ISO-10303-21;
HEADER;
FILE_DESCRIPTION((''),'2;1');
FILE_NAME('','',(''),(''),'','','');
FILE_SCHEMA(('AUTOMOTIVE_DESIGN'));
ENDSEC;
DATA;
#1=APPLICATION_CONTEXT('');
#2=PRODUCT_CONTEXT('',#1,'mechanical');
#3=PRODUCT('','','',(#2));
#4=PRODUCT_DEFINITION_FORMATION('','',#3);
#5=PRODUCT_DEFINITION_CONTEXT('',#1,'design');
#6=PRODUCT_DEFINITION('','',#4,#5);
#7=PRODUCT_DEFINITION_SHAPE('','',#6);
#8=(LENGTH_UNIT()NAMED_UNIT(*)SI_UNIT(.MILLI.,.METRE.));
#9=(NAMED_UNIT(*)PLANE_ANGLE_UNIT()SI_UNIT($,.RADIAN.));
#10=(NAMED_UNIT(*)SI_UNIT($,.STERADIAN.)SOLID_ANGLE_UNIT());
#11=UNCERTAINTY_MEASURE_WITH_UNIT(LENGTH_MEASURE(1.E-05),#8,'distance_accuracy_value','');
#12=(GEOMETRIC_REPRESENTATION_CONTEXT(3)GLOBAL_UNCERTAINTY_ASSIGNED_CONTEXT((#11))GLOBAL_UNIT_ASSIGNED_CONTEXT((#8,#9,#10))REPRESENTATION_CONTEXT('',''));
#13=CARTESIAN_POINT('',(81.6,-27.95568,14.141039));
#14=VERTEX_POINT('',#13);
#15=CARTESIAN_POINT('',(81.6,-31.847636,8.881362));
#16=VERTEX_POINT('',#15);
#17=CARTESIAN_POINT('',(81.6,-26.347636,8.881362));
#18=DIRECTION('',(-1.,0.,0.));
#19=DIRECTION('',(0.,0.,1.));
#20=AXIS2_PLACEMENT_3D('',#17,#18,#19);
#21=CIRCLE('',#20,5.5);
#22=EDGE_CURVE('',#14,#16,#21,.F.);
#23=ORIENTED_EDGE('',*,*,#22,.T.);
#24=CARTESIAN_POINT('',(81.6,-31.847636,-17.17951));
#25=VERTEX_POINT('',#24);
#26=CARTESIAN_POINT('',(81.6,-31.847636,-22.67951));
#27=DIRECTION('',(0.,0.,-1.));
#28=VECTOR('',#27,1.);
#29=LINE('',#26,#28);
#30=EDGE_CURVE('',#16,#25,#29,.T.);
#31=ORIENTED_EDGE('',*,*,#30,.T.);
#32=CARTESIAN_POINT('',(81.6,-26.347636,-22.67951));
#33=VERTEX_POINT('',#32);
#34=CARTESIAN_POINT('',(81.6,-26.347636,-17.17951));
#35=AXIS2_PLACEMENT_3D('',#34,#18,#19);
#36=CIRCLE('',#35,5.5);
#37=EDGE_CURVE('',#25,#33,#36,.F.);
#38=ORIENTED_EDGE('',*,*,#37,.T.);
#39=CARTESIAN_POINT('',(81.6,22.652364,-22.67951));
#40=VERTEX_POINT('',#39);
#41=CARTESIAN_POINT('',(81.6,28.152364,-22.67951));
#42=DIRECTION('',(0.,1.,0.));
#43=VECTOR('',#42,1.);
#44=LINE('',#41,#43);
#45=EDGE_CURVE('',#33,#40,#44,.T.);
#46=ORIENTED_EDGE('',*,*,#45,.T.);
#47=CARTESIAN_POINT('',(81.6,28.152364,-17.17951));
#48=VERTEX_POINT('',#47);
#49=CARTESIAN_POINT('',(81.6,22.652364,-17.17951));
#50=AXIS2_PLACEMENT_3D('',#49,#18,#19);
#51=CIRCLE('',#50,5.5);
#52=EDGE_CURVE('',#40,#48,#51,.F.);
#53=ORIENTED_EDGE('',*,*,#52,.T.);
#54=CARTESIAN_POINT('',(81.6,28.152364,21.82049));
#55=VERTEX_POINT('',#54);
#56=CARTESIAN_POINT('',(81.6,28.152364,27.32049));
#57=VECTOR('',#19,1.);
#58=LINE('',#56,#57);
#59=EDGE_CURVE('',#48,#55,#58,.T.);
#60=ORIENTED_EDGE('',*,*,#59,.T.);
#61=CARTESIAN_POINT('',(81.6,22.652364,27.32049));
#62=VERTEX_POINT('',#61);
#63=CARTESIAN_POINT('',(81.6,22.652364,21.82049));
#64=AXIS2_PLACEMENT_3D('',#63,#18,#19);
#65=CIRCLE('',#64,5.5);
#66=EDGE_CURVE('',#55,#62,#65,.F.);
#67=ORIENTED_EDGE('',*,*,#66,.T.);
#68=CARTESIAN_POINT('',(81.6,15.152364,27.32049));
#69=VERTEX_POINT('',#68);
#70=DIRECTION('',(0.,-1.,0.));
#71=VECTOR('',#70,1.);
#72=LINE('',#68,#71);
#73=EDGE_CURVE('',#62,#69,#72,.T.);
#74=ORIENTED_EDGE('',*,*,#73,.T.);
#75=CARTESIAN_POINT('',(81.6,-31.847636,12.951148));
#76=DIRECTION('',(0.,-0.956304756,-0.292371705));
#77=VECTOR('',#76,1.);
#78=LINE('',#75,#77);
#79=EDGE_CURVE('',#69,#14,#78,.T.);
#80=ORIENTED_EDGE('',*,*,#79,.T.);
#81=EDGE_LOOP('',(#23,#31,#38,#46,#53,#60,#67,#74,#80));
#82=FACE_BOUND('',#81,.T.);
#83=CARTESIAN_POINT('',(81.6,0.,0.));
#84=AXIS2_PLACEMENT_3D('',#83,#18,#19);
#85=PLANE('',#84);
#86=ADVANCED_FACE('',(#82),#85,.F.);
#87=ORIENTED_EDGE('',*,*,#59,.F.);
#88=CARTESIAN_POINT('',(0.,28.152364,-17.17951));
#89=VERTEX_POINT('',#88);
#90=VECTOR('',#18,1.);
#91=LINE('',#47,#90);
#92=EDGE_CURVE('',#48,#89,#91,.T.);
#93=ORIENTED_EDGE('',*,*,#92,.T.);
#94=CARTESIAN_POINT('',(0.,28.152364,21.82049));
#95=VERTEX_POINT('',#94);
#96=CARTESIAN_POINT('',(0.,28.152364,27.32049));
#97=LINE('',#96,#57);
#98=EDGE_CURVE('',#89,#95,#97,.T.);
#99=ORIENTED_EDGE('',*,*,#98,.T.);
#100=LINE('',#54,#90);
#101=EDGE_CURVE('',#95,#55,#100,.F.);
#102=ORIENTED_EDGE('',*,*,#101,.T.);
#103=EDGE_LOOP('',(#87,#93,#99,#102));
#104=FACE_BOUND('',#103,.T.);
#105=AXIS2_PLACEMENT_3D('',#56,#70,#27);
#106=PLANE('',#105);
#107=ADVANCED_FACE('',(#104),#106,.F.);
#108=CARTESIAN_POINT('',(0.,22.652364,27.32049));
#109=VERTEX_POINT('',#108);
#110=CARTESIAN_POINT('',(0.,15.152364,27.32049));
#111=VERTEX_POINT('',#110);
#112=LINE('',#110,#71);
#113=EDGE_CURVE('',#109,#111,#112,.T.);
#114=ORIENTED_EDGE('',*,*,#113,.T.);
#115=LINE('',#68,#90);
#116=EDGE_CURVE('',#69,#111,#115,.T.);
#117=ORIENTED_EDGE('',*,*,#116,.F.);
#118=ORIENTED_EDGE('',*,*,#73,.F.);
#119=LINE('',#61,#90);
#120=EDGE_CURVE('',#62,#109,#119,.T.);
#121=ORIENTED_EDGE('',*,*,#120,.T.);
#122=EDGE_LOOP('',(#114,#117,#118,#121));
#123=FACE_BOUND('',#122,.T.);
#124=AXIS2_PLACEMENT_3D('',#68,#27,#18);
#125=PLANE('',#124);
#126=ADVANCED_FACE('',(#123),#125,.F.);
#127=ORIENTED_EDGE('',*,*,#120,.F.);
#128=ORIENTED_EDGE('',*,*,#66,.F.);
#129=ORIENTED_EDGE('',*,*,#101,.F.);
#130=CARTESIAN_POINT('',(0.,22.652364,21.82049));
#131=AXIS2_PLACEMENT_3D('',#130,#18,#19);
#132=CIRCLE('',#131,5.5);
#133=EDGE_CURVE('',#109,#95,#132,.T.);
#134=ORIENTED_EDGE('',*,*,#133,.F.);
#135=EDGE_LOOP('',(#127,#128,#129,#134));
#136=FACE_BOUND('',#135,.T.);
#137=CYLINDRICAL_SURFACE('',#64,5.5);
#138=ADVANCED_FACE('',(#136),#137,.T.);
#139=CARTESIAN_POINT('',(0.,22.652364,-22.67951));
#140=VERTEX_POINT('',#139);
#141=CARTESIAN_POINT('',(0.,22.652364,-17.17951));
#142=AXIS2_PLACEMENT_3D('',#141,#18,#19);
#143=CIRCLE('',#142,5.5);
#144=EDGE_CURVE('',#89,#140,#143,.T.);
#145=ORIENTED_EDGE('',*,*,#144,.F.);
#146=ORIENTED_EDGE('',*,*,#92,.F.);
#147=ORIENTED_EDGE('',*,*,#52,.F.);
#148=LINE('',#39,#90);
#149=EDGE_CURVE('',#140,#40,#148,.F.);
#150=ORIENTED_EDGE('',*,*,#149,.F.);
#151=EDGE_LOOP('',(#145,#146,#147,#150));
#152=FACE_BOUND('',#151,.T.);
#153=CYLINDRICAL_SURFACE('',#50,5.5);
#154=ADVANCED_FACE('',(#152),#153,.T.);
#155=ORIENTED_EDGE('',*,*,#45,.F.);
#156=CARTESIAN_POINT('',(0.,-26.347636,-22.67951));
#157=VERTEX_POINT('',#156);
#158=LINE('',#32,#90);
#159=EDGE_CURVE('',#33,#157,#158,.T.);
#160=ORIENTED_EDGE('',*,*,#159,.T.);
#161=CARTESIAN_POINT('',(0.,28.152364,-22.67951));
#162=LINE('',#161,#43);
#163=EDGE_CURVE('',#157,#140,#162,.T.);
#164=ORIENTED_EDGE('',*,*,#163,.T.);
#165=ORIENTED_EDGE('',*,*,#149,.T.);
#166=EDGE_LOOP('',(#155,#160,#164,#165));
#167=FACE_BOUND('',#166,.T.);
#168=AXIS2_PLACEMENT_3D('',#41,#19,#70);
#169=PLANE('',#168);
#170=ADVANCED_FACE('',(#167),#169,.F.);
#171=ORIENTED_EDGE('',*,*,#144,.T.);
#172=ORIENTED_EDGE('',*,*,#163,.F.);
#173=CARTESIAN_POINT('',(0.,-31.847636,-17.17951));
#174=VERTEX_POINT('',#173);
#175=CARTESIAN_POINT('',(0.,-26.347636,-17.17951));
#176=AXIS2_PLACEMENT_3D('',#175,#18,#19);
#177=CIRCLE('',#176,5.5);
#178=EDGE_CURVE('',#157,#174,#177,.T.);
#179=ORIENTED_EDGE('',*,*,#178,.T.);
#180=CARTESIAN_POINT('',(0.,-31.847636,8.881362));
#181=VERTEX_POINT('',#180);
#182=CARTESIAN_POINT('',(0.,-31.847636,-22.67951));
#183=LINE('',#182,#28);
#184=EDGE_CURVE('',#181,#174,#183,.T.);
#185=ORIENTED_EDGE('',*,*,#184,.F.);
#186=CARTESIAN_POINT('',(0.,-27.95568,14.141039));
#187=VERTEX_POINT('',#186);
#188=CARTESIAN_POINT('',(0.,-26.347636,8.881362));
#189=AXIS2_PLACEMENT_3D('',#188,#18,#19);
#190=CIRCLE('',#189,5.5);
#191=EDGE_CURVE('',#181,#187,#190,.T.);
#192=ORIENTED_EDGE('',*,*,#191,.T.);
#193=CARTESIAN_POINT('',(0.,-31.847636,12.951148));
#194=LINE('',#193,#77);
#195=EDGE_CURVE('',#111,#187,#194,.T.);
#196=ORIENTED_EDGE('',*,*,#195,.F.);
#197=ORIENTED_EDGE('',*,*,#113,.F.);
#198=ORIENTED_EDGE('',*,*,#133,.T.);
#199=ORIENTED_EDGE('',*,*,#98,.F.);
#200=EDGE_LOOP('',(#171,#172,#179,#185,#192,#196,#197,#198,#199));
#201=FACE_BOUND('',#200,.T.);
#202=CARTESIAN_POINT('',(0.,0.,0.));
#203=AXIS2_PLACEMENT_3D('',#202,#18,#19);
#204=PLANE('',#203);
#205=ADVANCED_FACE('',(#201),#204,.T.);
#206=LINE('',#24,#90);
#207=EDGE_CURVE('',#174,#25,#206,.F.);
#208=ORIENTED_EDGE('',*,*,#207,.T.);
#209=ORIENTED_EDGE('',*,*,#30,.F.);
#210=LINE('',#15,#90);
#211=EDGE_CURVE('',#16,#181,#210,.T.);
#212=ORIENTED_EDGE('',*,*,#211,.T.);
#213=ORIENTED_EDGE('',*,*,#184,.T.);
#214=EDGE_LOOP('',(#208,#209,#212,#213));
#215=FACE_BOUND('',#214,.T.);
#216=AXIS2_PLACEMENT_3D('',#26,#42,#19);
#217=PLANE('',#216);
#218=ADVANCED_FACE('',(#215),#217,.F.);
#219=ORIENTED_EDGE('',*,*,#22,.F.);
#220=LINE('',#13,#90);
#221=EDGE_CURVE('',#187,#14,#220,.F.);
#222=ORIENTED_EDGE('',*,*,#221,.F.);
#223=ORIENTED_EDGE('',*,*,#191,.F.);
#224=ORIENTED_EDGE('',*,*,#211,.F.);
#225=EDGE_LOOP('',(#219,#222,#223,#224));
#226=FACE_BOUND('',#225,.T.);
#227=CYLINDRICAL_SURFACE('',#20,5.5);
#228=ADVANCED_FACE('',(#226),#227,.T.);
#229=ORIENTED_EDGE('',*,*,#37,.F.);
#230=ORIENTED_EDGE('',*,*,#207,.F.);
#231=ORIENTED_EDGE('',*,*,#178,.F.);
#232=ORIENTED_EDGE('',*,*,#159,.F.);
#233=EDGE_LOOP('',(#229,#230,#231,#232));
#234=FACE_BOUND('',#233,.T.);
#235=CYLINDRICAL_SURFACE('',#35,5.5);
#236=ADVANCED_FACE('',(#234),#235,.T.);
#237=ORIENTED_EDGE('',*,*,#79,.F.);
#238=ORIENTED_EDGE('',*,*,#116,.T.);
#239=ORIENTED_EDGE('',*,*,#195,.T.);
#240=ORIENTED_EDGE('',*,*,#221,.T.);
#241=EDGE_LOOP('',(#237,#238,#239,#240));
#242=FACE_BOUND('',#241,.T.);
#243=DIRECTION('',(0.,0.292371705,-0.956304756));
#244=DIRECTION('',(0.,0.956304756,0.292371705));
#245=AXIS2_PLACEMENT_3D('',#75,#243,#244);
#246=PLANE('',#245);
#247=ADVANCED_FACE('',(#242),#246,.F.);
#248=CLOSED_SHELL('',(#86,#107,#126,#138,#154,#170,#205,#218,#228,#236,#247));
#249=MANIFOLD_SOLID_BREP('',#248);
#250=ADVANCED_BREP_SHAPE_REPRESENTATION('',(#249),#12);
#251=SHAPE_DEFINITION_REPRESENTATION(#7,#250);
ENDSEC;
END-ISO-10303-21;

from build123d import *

# Parameters (mm, degrees)
BOSS_EXTRUDE1_DEPTH = 81.6
FILLET1_R           = 5.5


with BuildPart() as part:
    # Sketch1 → Boss-Extrude1 (new body)
    with BuildSketch(Plane(origin=(0, 0, 0), x_dir=(0, 0, -1), z_dir=(1, 0, 0))):
        Polygon((-27.320490368, 28.152364273), (22.679509632, 28.152364273), (22.679509632, -31.847635727), (-12.951148339, -31.847635727), (-27.320490368, 15.152364273), align=None)
    extrude(amount=BOSS_EXTRUDE1_DEPTH)

    # Fillet1
    fillet1_edges = [part.edges().sort_by_distance(p)[0] for p in [
        (40.8, 28.152364273, 27.320490368),
        (40.8, 28.152364273, -22.679509632),
        (40.8, -31.847635727, -22.679509632),
        (40.8, -31.847635727, 12.951148339),
    ]]
    fillet(fillet1_edges, radius=FILLET1_R)


solid = part.part
